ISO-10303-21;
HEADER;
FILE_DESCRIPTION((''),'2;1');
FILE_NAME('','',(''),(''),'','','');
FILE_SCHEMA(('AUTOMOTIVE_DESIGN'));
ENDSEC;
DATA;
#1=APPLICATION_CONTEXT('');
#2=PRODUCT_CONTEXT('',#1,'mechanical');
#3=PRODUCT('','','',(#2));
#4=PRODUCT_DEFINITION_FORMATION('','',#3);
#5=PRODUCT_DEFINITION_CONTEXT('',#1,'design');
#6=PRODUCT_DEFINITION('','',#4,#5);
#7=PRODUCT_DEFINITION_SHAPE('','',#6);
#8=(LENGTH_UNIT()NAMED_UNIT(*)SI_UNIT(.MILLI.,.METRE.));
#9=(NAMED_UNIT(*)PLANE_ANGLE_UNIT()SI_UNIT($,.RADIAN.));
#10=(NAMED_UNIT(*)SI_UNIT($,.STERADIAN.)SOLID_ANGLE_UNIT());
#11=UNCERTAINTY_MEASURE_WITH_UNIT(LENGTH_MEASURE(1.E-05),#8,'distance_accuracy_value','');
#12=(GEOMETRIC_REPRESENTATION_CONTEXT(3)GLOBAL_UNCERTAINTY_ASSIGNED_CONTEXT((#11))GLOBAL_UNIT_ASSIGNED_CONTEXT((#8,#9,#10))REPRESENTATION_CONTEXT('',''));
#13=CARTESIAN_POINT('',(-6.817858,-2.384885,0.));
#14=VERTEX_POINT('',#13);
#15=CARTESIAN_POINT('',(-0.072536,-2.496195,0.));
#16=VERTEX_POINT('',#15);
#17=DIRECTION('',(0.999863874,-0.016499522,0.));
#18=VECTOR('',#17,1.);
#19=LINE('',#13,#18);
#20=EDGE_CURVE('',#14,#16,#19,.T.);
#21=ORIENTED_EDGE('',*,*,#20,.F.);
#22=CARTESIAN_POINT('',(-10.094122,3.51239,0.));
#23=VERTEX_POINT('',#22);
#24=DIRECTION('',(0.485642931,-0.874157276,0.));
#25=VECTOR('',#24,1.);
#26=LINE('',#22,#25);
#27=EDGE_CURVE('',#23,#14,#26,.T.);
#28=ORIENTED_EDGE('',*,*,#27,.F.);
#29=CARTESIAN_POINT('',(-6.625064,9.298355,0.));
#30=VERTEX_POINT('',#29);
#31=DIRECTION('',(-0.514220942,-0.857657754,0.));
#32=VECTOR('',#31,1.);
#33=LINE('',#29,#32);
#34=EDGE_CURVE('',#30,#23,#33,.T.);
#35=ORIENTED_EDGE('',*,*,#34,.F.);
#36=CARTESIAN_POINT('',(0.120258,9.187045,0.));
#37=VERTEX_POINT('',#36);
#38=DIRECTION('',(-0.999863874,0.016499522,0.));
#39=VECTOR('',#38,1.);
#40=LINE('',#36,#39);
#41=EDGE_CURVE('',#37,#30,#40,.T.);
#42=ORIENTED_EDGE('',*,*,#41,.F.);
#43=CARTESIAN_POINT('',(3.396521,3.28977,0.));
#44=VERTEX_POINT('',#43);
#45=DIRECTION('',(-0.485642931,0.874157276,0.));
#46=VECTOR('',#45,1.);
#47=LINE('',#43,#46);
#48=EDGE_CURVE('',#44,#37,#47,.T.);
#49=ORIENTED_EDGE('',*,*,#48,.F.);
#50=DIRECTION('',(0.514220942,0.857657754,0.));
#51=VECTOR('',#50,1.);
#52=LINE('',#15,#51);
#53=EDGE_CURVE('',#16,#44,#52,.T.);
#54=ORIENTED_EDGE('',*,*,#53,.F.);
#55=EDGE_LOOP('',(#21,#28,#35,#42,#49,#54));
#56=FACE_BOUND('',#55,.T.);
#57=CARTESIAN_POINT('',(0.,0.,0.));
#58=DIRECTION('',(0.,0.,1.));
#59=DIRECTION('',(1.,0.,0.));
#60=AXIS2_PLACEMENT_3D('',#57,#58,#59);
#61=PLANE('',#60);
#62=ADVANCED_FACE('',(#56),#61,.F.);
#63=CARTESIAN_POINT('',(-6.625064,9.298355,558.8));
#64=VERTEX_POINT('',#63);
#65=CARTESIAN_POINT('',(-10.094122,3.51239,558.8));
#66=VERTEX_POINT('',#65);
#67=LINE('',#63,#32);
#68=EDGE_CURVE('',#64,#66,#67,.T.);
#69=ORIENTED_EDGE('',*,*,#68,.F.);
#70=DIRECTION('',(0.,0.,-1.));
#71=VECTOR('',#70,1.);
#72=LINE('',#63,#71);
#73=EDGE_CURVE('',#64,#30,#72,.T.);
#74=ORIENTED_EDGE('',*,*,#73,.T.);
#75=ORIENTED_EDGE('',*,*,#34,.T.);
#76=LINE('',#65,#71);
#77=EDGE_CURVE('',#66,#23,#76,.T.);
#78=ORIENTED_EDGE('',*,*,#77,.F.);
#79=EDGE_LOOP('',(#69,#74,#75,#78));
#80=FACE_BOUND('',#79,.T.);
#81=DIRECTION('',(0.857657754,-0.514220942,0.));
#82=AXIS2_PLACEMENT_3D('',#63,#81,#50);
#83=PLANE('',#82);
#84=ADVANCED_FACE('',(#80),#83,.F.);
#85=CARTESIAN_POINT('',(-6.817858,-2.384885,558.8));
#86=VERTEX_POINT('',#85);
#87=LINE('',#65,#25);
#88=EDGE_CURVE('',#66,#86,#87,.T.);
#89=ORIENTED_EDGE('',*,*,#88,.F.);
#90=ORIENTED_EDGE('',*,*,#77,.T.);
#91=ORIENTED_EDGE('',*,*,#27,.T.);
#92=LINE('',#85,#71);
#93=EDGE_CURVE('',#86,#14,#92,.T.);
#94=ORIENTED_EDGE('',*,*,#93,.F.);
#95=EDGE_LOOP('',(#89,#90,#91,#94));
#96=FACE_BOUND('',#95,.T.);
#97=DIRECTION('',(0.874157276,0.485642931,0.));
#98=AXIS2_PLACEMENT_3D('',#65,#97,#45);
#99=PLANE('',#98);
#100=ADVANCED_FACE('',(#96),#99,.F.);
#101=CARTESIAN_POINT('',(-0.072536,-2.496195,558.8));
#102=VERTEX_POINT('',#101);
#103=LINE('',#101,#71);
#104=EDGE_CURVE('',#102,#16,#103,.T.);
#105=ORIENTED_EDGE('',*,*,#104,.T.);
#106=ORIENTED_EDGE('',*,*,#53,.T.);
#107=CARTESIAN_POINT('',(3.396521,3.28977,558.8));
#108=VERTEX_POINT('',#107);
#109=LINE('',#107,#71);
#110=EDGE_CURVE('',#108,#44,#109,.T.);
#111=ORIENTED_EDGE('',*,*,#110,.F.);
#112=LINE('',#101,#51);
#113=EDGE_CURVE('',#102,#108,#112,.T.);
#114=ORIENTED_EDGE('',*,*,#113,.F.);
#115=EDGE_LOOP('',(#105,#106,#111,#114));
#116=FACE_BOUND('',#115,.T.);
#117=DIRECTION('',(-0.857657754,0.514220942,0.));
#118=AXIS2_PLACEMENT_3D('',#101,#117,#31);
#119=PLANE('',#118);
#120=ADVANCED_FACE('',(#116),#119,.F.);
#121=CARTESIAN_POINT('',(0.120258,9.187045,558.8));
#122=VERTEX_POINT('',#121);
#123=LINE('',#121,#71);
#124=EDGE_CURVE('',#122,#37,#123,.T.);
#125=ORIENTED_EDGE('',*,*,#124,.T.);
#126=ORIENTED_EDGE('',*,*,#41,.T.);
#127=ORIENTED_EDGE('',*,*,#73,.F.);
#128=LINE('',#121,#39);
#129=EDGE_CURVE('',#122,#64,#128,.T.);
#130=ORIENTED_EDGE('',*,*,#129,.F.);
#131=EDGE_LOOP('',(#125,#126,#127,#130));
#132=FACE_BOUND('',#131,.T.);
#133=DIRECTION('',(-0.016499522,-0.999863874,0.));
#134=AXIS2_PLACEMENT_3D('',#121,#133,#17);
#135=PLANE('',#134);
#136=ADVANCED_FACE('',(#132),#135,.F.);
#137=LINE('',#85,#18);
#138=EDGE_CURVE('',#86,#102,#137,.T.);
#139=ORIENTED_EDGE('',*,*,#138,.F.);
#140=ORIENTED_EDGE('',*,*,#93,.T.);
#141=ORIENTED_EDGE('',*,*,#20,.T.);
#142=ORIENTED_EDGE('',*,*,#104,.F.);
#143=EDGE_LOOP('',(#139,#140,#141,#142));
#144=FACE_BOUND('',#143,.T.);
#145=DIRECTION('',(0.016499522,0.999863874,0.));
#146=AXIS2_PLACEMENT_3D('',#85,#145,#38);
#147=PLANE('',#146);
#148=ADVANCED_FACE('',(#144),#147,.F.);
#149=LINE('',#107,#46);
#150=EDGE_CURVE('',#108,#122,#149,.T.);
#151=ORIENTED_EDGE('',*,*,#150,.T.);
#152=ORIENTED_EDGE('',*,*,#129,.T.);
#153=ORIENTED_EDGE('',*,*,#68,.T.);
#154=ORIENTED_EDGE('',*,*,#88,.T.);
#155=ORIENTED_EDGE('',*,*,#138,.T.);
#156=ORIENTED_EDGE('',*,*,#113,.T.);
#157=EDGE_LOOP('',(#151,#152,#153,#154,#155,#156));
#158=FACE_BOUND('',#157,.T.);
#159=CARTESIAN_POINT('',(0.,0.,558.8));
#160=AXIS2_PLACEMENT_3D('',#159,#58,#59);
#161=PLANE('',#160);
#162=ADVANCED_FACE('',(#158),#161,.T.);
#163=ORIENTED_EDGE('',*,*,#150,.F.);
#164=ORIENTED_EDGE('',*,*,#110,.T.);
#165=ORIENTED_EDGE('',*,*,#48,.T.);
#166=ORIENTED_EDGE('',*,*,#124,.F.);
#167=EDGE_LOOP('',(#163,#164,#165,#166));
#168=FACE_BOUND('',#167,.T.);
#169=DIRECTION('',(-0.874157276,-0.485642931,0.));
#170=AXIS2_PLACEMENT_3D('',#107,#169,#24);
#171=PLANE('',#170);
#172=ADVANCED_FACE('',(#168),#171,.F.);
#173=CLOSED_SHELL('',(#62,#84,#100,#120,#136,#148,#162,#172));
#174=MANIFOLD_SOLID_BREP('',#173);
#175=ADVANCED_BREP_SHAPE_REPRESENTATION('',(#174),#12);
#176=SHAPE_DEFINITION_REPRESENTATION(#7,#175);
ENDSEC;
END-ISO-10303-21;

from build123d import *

# Parameters (mm, degrees)
BOSS_EXTRUDE1_DEPTH = 558.8


with BuildPart() as part:
    # Sketch2 → Boss-Extrude1 (new body)
    with BuildSketch(Plane.XY):
        Polygon((-0.072536491, -2.496194892), (3.3965214, 3.289770152), (0.120257632, 9.187044934), (-6.625064027, 9.298354673), (-10.094121918, 3.512389629), (-6.81785815, -2.384885153), align=None)
    extrude(amount=BOSS_EXTRUDE1_DEPTH)


solid = part.part
